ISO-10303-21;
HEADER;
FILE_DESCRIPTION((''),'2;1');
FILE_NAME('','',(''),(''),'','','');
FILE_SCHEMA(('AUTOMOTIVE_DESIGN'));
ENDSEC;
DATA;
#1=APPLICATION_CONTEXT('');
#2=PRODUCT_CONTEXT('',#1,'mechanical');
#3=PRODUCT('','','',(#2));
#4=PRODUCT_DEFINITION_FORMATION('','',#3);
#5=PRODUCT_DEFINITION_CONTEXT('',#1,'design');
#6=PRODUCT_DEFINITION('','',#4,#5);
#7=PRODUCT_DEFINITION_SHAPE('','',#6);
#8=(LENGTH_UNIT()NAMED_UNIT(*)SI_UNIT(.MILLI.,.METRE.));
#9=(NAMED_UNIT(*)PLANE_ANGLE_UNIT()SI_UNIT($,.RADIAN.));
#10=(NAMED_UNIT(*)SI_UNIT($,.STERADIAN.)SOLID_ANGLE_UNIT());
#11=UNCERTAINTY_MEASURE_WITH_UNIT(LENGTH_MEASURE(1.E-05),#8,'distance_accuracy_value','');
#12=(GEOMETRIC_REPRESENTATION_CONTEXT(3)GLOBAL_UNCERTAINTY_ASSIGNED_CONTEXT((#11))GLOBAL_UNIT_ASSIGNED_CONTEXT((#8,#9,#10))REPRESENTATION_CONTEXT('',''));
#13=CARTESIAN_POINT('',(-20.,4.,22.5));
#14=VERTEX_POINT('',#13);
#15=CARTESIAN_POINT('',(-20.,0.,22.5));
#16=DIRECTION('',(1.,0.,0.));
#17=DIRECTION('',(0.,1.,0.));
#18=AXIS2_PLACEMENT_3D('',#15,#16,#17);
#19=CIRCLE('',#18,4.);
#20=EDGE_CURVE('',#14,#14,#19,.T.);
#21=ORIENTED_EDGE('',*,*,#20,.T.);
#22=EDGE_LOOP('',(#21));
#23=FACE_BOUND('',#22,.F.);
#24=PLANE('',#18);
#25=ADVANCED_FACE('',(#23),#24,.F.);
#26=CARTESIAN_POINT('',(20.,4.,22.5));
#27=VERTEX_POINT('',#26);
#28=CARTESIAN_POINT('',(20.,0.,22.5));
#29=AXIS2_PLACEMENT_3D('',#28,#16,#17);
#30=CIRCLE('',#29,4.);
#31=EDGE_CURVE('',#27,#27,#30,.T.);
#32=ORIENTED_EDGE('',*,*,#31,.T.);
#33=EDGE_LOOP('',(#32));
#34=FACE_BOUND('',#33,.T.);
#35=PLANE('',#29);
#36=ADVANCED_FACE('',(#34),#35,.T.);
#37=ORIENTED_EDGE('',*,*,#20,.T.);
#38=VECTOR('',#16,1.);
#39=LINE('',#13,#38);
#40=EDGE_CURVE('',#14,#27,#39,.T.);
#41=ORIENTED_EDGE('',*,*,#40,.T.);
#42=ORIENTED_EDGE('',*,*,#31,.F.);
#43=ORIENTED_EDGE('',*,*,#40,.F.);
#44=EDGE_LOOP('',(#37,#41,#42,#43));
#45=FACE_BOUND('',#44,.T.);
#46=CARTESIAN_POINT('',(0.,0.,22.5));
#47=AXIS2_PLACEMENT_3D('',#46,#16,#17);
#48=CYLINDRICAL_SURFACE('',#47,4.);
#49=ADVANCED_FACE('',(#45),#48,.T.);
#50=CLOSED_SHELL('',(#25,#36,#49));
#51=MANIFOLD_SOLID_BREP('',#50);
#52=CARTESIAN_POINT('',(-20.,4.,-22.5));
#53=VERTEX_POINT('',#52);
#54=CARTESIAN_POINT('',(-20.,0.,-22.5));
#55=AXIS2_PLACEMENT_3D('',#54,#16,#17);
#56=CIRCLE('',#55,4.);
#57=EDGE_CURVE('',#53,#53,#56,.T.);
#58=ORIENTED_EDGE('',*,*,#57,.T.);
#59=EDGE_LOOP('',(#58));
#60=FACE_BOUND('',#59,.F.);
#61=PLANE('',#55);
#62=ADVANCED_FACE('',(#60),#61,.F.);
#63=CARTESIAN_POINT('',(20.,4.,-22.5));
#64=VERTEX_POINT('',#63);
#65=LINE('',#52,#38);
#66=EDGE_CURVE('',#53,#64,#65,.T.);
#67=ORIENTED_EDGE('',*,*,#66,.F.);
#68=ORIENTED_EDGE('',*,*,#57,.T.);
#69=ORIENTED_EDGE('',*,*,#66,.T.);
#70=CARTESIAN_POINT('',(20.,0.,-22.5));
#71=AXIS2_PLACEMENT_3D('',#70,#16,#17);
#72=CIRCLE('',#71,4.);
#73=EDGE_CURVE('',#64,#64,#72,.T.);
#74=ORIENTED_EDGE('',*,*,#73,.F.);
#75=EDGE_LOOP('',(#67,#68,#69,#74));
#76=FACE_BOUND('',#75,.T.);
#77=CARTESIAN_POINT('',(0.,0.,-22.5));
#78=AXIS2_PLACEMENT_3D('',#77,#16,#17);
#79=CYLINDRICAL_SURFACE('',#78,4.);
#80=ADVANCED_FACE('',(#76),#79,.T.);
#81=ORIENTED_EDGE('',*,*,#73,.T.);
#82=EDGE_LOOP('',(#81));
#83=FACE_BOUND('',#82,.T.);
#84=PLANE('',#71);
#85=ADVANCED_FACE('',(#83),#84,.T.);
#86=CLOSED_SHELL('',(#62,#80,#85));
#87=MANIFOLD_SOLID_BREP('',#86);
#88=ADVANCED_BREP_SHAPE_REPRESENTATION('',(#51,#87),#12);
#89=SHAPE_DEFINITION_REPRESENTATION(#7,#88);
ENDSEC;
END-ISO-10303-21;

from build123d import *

# Parameters (mm, degrees)
F0_R          = 4
F1_DEPTH      = 20
F1_DEPTH_BACK = 20


with BuildPart() as f1:
    # F0 (on Right) → F1 (new body, two sides)
    with BuildSketch(Plane.YZ) as f1_sk:
        with Locations((0, 22.5)):
            Circle(F0_R)
        with Locations((0, -22.5)):
            Circle(F0_R)
    extrude(amount=F1_DEPTH)
    extrude(f1_sk.sketch, amount=-F1_DEPTH_BACK)


solid = f1.part
